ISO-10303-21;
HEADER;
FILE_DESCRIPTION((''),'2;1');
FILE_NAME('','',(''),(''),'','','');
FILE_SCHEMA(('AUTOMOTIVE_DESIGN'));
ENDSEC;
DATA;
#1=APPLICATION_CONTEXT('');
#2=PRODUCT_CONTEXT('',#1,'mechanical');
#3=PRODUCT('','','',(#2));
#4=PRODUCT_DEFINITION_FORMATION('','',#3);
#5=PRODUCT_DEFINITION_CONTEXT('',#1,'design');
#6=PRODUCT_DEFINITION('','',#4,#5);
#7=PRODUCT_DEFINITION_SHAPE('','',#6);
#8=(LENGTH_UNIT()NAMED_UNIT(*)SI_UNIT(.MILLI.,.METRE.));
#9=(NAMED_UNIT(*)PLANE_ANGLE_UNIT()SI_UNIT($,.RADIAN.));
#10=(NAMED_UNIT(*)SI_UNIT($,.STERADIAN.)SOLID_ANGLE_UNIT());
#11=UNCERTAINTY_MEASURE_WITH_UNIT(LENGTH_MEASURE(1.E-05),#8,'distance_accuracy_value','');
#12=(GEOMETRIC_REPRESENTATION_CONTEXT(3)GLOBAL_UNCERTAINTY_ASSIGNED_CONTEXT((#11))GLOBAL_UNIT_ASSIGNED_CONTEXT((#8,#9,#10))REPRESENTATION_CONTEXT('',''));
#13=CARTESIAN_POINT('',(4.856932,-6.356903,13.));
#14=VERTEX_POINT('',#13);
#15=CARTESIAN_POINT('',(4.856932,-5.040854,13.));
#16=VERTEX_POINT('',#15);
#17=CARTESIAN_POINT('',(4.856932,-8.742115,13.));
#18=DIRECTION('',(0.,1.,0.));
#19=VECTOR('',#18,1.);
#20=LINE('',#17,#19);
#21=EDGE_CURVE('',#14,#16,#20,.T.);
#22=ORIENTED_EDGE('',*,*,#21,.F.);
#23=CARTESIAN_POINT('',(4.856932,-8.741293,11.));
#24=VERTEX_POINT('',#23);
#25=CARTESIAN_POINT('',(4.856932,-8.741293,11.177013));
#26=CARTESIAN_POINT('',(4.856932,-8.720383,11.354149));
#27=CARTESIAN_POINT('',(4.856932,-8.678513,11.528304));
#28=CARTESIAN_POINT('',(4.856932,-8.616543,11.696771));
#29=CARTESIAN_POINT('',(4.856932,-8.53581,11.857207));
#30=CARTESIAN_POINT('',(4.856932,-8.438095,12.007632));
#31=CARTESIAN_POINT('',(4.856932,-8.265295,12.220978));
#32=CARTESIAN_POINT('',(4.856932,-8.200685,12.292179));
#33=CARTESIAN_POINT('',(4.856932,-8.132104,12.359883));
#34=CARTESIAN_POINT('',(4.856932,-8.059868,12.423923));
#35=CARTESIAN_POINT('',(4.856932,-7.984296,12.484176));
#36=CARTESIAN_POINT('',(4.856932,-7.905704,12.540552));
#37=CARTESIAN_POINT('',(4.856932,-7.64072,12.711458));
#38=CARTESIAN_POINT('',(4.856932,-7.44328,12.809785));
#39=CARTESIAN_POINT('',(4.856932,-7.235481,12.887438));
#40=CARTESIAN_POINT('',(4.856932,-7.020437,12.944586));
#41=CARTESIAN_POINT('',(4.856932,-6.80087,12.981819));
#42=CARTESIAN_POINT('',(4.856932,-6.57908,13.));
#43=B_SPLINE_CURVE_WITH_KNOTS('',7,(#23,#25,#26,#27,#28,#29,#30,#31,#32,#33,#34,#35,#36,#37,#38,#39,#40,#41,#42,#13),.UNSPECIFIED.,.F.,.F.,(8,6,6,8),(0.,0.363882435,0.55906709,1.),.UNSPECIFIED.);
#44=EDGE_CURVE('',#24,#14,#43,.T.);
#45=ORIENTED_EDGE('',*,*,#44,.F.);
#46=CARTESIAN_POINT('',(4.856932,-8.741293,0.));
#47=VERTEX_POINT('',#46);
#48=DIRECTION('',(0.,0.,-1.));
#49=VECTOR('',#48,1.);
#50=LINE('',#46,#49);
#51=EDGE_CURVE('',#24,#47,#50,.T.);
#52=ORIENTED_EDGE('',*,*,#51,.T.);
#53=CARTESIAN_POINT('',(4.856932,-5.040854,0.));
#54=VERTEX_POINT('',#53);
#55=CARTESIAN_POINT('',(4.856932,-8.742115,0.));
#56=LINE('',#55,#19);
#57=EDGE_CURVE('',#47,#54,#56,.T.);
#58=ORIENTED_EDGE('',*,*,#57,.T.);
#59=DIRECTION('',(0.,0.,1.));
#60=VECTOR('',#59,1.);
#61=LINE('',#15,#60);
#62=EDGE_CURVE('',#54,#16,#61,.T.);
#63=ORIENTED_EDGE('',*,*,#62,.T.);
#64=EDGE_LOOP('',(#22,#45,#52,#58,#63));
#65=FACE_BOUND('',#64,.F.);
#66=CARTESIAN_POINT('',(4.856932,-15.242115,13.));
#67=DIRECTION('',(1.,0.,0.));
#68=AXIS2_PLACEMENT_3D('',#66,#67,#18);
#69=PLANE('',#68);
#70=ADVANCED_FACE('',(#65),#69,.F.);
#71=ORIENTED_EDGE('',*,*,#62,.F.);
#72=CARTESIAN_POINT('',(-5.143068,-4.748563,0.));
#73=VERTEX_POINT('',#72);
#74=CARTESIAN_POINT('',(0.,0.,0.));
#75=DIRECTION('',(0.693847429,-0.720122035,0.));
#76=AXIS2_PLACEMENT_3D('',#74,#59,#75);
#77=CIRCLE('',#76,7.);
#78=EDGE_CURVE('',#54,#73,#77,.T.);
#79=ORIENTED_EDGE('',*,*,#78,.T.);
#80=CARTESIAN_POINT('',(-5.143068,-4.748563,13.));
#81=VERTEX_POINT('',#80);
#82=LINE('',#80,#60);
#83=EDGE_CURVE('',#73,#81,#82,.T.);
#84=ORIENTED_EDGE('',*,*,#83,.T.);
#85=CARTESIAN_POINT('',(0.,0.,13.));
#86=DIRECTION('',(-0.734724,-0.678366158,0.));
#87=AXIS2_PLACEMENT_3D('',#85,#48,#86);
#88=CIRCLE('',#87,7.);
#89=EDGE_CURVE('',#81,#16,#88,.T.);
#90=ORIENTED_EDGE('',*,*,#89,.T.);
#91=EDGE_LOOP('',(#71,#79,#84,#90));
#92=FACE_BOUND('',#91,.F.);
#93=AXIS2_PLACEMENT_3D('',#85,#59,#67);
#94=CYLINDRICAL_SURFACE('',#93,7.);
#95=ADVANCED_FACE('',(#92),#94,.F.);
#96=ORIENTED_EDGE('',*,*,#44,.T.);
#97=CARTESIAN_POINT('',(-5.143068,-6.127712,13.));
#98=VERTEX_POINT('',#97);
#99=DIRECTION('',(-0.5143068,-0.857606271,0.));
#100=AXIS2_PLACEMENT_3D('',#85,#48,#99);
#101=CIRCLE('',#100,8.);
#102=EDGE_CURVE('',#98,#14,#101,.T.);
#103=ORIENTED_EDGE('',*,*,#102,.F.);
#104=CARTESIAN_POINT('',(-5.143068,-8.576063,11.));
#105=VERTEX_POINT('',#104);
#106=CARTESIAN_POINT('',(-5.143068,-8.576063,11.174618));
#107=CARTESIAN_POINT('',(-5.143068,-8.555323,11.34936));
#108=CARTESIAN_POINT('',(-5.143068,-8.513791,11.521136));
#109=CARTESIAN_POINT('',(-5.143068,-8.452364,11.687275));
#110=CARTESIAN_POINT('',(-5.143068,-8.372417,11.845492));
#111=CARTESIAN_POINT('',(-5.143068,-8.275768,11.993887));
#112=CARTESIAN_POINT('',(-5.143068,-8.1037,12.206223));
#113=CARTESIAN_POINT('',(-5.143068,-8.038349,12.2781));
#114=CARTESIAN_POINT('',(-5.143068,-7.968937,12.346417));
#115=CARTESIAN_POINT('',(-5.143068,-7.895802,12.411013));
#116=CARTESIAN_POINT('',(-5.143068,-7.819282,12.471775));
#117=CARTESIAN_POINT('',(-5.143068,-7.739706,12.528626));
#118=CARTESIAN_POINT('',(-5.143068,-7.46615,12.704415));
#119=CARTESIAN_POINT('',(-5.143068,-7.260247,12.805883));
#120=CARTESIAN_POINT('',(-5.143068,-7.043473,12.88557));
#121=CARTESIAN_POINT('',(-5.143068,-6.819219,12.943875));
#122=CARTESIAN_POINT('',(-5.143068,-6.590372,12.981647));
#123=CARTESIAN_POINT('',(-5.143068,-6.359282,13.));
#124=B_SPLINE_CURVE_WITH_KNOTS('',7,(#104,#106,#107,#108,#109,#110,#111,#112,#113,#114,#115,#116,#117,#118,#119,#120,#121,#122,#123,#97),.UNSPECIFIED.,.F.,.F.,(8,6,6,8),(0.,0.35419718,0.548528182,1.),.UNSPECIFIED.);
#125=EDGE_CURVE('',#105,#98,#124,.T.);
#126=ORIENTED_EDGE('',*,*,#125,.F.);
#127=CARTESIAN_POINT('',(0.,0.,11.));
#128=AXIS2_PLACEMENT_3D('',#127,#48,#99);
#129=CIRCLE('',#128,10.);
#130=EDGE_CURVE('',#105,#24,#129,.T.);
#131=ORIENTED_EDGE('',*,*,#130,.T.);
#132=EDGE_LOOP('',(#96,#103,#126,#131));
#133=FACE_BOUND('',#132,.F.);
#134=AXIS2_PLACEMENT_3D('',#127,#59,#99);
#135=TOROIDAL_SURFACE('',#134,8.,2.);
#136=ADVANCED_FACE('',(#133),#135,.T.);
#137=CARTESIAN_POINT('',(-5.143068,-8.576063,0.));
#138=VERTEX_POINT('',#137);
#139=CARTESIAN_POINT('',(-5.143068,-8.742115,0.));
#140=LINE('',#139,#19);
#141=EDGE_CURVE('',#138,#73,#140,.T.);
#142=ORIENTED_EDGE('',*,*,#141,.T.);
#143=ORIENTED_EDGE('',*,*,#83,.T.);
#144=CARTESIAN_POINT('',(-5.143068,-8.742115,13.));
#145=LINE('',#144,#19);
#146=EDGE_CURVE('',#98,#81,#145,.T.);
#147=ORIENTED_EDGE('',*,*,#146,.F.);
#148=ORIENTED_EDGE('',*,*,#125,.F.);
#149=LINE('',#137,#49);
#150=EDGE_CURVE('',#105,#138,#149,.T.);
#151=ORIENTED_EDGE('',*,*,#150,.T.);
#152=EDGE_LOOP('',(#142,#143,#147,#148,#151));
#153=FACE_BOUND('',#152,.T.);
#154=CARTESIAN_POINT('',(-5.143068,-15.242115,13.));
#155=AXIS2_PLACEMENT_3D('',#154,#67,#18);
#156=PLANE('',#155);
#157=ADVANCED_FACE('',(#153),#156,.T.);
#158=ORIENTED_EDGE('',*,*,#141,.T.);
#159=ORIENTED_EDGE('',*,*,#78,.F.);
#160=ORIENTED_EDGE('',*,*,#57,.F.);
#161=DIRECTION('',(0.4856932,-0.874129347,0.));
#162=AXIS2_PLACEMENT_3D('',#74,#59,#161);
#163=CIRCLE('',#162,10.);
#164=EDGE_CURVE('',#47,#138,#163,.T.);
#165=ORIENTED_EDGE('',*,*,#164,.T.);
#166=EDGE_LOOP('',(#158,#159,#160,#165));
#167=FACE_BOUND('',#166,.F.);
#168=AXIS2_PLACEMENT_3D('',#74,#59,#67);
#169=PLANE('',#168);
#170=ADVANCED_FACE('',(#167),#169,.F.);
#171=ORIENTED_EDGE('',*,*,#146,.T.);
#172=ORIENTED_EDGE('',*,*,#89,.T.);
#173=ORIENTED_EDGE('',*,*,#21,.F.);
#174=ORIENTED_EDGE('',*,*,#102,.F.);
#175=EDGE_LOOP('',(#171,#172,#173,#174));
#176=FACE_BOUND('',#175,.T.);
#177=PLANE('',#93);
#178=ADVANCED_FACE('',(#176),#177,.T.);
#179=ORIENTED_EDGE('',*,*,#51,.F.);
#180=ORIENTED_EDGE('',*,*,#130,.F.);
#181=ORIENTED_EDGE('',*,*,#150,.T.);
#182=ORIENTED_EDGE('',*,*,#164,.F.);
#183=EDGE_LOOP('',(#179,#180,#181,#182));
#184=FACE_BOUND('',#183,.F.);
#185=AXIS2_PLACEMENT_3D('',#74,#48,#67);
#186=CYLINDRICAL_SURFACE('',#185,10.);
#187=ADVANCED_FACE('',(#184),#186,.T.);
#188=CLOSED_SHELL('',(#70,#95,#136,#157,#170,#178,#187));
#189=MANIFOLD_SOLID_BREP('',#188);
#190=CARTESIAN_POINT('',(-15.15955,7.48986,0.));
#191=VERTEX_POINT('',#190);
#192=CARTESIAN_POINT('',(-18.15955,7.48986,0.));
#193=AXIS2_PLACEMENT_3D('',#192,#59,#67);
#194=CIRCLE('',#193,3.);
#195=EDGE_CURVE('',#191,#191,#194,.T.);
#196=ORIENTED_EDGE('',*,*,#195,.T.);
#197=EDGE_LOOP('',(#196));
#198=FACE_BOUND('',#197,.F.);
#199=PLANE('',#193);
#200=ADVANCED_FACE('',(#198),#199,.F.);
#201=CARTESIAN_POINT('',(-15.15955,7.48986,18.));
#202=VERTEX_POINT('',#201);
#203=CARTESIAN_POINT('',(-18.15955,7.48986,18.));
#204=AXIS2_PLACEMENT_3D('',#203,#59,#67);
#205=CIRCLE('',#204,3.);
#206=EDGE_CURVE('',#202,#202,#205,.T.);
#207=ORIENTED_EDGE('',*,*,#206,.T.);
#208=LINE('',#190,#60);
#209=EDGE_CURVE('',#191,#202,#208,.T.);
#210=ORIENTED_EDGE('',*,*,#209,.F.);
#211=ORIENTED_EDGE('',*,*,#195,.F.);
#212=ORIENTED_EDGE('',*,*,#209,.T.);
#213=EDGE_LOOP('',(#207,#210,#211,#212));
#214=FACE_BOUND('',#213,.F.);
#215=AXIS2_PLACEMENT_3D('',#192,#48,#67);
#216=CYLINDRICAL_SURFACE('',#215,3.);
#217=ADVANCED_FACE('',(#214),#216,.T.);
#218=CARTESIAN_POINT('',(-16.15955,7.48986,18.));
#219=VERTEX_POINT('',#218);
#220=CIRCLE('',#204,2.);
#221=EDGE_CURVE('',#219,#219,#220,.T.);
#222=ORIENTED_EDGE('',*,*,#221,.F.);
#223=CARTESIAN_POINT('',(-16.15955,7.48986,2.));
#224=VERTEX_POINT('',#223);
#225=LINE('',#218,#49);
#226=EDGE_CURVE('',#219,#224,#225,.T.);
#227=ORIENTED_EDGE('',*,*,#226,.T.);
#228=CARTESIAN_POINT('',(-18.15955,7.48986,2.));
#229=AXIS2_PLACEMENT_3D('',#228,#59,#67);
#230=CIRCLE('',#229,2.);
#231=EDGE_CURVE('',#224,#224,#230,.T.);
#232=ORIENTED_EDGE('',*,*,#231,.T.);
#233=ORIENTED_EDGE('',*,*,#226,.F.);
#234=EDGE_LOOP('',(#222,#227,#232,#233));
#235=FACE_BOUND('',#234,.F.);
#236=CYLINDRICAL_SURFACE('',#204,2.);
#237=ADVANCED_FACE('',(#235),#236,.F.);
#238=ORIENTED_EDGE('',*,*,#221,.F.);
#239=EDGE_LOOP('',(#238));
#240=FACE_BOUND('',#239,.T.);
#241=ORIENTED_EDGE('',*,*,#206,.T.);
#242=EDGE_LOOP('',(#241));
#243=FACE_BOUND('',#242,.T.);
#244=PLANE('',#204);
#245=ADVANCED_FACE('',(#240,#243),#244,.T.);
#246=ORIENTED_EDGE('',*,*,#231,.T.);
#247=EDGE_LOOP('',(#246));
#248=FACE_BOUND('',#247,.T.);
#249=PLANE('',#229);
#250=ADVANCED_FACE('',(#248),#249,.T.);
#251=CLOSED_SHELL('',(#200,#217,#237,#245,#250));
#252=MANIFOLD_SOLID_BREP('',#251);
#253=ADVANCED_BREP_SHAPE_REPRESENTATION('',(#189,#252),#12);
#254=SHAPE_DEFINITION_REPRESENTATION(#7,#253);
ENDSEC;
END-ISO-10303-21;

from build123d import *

# Parameters (mm, degrees)
F0_R     = 10
F1_DEPTH = 13
F2_R     = 7
F3_DEPTH = 13
F4_W     = 10
F4_H     = 13
F5_DEPTH = 13
F6_R     = 3
F7_DEPTH = 18
F8_R     = 2
F9_DEPTH = 16
F10_R    = 2


with BuildPart() as f1:
    # F0 (on Top) → F1 (new body)
    with BuildSketch(Plane.XY):
        Circle(F0_R)
    extrude(amount=F1_DEPTH)

    # F2 (on face) → F3 (cut)
    with BuildSketch(Plane.XY.offset(13)):
        Circle(F2_R)
    extrude(amount=-F3_DEPTH, mode=Mode.SUBTRACT)

    # F4 (on face) → F5 (cut)
    with BuildSketch(Plane.XY.offset(13)):
        with Locations((-0.143068, -8.742115)):
            Rectangle(F4_W, F4_H)
    extrude(amount=-F5_DEPTH, mode=Mode.SUBTRACT)

    # F10
    f10_edges = [f1.edges().sort_by_distance(p)[0] for p in [
        (0.165208, 9.998635, 13),
    ]]
    fillet(f10_edges, radius=F10_R)


with BuildPart() as f7:
    # F6 (on Top) → F7 (new body)
    with BuildSketch(Plane.XY):
        with Locations((-18.15955, 7.48986)):
            Circle(F6_R)
    extrude(amount=F7_DEPTH)

    # F8 (on face) → F9 (cut)
    with BuildSketch(Plane.XY.offset(18)):
        with Locations((-18.15955, 7.48986)):
            Circle(F8_R)
    extrude(amount=-F9_DEPTH, mode=Mode.SUBTRACT)


solid = Compound([f1.part, f7.part])
